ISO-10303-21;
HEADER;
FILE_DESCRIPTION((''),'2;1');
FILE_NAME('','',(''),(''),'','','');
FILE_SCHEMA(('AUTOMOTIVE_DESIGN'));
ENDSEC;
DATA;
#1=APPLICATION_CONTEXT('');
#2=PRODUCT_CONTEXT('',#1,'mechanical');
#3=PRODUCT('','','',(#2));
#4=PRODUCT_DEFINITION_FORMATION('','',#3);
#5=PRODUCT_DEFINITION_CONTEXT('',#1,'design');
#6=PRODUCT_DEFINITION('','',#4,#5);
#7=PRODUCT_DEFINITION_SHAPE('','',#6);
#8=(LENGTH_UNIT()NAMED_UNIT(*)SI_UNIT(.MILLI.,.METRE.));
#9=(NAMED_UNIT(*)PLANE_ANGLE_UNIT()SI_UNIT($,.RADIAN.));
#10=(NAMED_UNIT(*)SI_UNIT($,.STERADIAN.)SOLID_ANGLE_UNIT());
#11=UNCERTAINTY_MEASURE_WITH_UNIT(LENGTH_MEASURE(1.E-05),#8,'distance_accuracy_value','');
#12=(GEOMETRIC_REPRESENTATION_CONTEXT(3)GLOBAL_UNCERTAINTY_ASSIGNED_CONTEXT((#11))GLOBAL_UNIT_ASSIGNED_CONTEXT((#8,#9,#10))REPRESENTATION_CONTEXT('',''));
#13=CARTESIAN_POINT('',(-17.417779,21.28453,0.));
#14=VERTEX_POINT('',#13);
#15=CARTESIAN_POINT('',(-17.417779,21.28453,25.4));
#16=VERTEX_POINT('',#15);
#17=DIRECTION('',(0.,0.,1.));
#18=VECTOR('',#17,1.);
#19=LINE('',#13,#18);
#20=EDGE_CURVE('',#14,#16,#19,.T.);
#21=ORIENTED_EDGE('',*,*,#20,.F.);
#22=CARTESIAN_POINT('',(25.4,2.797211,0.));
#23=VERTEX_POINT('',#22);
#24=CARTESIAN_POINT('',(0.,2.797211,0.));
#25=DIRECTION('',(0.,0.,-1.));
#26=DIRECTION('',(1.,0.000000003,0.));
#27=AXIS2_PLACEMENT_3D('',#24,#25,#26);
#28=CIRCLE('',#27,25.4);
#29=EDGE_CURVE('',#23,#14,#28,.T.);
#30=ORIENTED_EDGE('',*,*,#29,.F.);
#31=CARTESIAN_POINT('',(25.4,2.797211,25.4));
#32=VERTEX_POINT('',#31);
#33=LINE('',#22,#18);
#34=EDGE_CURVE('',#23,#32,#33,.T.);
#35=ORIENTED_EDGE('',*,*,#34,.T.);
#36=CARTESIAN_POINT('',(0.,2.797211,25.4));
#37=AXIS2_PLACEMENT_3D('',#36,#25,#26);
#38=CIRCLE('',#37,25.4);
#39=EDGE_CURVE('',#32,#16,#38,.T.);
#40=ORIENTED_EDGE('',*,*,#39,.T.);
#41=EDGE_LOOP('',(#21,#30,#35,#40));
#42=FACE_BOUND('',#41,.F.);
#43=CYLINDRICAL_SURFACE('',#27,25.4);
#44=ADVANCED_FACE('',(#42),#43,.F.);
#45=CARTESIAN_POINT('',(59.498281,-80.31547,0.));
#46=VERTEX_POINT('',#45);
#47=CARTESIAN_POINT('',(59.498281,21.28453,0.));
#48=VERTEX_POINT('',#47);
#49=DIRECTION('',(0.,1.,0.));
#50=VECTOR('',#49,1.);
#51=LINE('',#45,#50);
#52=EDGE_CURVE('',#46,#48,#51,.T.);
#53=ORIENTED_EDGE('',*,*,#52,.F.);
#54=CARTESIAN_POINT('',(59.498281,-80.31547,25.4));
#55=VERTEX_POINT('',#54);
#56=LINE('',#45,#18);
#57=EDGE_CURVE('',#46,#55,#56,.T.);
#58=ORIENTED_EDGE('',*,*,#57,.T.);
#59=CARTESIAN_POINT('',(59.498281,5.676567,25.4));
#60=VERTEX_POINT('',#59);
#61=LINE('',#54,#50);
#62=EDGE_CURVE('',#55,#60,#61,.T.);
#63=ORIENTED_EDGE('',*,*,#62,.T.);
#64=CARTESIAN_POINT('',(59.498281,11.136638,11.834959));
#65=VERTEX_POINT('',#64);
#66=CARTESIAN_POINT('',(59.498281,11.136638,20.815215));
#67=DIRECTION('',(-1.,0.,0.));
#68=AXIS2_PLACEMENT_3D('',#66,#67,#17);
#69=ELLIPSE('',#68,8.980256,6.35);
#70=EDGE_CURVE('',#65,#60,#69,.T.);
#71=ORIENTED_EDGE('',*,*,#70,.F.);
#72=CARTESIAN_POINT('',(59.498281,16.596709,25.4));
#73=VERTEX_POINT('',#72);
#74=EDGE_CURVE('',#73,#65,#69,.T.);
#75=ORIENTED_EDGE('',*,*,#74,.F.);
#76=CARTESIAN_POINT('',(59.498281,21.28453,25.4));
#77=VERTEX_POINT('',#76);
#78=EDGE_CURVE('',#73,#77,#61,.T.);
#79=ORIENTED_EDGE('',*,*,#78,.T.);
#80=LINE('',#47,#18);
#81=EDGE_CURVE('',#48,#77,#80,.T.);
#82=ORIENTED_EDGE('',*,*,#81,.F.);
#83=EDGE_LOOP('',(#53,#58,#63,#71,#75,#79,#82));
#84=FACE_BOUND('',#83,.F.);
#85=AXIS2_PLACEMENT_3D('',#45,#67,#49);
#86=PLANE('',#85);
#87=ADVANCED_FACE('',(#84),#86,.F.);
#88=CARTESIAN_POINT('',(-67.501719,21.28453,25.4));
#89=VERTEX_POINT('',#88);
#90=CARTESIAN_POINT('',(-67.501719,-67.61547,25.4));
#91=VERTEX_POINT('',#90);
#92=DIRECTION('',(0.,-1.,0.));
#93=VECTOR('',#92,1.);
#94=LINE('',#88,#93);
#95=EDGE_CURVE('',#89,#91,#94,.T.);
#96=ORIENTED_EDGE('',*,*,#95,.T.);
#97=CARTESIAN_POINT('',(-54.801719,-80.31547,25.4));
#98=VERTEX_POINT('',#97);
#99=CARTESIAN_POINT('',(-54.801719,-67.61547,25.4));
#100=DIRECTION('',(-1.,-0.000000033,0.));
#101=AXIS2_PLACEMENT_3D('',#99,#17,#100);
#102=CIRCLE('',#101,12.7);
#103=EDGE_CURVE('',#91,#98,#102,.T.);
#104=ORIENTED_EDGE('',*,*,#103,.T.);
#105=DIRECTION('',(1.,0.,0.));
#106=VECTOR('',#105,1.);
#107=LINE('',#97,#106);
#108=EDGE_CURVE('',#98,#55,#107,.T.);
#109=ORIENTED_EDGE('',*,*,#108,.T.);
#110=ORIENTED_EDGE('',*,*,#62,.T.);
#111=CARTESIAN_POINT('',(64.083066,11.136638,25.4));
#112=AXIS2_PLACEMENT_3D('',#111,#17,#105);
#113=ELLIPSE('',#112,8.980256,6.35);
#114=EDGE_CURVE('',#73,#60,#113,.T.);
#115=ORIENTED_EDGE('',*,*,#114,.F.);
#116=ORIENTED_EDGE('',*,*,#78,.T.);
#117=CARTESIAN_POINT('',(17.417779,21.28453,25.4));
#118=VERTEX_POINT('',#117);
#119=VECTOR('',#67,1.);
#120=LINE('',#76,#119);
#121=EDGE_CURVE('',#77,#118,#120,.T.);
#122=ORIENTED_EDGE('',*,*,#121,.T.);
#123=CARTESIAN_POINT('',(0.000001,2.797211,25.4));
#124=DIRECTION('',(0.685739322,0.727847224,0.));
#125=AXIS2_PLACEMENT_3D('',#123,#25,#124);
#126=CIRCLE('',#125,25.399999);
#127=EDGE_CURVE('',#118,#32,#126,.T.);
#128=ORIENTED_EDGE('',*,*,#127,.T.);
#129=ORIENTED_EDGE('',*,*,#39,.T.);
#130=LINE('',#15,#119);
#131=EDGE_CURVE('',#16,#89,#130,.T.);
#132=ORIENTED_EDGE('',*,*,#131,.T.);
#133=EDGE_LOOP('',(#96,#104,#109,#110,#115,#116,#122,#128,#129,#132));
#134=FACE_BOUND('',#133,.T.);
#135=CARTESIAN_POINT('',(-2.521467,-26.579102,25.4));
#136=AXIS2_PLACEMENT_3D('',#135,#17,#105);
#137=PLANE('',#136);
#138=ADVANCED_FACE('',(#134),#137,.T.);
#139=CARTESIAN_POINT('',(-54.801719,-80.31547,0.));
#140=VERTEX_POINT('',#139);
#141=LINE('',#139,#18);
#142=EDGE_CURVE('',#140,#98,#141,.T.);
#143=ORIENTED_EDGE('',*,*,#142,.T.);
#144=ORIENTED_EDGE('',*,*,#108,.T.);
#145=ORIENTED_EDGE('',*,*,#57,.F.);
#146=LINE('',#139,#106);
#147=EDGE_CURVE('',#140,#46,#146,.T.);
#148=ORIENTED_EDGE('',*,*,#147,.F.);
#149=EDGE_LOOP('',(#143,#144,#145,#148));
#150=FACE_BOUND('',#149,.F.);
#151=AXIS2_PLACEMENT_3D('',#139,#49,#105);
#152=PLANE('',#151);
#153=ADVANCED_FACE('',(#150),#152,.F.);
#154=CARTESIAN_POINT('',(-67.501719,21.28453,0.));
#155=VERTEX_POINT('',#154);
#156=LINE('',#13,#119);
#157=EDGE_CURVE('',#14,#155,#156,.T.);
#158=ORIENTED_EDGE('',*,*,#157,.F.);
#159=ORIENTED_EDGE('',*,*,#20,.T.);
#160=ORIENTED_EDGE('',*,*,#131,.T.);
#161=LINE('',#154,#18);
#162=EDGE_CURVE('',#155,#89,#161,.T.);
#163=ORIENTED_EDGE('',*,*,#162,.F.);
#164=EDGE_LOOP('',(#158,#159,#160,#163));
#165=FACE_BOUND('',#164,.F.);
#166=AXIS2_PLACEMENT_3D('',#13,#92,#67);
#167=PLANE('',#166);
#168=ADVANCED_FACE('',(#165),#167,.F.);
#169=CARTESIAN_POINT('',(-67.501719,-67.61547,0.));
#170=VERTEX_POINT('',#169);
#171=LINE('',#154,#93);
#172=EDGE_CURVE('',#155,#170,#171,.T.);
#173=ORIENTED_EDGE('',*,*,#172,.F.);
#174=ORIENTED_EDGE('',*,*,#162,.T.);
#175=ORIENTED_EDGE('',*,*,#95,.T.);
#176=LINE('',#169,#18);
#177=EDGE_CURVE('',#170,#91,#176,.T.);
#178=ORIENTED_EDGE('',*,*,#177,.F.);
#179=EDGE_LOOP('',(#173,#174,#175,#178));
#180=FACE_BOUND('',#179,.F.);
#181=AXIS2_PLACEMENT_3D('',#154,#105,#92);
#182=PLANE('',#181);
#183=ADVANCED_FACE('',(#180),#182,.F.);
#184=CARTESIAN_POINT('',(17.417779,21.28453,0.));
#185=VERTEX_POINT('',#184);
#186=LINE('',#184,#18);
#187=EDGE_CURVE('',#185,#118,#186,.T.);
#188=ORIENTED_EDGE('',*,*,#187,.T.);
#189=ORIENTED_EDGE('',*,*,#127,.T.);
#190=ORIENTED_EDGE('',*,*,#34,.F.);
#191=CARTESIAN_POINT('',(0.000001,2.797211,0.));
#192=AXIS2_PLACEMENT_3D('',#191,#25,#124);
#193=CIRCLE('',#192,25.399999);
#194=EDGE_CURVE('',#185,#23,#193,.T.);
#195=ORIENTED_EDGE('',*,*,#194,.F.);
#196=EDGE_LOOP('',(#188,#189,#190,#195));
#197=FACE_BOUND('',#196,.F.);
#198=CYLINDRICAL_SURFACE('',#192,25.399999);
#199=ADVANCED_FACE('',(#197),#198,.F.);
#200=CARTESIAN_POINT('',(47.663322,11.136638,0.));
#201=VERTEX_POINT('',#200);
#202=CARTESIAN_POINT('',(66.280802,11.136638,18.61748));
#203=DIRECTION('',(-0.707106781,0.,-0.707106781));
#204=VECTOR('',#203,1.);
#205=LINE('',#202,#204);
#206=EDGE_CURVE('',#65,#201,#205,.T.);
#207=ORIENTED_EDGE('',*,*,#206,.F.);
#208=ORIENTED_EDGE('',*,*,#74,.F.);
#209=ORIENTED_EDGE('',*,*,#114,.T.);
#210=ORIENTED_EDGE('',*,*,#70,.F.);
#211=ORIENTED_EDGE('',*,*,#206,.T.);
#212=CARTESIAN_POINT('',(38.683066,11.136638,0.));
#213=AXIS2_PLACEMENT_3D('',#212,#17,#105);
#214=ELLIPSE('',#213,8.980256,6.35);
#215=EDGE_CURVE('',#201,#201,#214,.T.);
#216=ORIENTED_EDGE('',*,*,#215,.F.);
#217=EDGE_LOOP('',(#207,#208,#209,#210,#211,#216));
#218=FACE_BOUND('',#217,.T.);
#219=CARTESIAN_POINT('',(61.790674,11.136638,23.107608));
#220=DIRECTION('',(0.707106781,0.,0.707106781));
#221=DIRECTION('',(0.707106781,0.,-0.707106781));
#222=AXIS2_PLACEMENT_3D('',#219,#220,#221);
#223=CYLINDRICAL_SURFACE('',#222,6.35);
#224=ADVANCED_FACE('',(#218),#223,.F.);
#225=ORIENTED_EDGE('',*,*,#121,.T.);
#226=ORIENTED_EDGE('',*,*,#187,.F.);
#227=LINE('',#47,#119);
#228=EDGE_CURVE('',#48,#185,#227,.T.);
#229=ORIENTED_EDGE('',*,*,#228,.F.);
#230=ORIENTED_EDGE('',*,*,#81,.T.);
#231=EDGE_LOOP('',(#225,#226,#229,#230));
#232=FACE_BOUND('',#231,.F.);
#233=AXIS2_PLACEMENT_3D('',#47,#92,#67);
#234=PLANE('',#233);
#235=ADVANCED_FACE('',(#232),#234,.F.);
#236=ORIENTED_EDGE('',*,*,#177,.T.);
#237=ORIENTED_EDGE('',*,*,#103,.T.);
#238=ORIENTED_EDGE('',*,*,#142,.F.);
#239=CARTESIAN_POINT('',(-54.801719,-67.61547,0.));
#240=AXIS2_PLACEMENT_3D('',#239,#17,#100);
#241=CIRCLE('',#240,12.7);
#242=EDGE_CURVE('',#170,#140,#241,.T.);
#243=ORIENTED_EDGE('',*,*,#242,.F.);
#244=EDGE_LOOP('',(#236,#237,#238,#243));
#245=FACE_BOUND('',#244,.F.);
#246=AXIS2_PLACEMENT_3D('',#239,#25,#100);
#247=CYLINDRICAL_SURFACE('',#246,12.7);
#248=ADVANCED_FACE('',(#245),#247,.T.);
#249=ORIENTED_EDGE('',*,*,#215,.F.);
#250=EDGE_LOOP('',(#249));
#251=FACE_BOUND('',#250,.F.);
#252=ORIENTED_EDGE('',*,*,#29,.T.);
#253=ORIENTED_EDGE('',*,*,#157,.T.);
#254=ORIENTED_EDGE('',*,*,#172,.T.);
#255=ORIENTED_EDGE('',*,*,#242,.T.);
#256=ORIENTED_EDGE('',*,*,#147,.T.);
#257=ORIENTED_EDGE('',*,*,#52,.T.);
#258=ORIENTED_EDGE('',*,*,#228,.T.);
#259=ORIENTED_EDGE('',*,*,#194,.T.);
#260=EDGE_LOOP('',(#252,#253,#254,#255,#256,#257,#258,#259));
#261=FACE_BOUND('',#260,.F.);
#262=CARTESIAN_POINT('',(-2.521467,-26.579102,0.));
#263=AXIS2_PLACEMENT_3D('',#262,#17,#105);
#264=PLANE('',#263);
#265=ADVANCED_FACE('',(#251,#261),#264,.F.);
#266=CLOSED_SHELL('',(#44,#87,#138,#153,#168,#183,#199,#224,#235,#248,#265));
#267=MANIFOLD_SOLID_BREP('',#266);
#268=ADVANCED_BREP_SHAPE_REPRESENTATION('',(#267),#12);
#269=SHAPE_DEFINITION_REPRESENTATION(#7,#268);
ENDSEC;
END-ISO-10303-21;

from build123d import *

# Parameters (mm, degrees)
F1_DEPTH = 25.4
F3_R     = 6.35
F4_DEPTH = 127


with BuildPart() as f1:
    # F0 (on Top) → F1 (new body)
    with BuildSketch(Plane.XY):
        with BuildLine():
            Line((-17.417779, 21.28453), (-67.501719, 21.28453))
            Line((-67.501719, 21.28453), (-67.501719, -67.61547))
            ThreePointArc((-67.501719, -67.61547), (-63.781975, -76.595726), (-54.801719, -80.31547))
            Line((-54.801719, -80.31547), (59.498281, -80.31547))
            Line((59.498281, -80.31547), (59.498281, 21.28453))
            Line((59.498281, 21.28453), (17.417779, 21.28453))
            ThreePointArc((17.417779, 21.28453), (23.319215, 12.865687), (25.4, 2.797211))
            ThreePointArc((25.4, 2.797211), (-10.068476, -20.522004), (-17.417779, 21.28453))
        make_face()
    extrude(amount=F1_DEPTH)

    # F3 (on face) → F4 (cut)
    with BuildSketch(Plane(origin=(42.449141, 0, 42.449141), x_dir=(0.707107, 0, -0.707107), z_dir=(-0.707107, 0, -0.707107))):
        with Locations((27.353058, -11.136638)):
            Circle(F3_R)
    extrude(amount=F4_DEPTH, mode=Mode.SUBTRACT)


solid = f1.part
